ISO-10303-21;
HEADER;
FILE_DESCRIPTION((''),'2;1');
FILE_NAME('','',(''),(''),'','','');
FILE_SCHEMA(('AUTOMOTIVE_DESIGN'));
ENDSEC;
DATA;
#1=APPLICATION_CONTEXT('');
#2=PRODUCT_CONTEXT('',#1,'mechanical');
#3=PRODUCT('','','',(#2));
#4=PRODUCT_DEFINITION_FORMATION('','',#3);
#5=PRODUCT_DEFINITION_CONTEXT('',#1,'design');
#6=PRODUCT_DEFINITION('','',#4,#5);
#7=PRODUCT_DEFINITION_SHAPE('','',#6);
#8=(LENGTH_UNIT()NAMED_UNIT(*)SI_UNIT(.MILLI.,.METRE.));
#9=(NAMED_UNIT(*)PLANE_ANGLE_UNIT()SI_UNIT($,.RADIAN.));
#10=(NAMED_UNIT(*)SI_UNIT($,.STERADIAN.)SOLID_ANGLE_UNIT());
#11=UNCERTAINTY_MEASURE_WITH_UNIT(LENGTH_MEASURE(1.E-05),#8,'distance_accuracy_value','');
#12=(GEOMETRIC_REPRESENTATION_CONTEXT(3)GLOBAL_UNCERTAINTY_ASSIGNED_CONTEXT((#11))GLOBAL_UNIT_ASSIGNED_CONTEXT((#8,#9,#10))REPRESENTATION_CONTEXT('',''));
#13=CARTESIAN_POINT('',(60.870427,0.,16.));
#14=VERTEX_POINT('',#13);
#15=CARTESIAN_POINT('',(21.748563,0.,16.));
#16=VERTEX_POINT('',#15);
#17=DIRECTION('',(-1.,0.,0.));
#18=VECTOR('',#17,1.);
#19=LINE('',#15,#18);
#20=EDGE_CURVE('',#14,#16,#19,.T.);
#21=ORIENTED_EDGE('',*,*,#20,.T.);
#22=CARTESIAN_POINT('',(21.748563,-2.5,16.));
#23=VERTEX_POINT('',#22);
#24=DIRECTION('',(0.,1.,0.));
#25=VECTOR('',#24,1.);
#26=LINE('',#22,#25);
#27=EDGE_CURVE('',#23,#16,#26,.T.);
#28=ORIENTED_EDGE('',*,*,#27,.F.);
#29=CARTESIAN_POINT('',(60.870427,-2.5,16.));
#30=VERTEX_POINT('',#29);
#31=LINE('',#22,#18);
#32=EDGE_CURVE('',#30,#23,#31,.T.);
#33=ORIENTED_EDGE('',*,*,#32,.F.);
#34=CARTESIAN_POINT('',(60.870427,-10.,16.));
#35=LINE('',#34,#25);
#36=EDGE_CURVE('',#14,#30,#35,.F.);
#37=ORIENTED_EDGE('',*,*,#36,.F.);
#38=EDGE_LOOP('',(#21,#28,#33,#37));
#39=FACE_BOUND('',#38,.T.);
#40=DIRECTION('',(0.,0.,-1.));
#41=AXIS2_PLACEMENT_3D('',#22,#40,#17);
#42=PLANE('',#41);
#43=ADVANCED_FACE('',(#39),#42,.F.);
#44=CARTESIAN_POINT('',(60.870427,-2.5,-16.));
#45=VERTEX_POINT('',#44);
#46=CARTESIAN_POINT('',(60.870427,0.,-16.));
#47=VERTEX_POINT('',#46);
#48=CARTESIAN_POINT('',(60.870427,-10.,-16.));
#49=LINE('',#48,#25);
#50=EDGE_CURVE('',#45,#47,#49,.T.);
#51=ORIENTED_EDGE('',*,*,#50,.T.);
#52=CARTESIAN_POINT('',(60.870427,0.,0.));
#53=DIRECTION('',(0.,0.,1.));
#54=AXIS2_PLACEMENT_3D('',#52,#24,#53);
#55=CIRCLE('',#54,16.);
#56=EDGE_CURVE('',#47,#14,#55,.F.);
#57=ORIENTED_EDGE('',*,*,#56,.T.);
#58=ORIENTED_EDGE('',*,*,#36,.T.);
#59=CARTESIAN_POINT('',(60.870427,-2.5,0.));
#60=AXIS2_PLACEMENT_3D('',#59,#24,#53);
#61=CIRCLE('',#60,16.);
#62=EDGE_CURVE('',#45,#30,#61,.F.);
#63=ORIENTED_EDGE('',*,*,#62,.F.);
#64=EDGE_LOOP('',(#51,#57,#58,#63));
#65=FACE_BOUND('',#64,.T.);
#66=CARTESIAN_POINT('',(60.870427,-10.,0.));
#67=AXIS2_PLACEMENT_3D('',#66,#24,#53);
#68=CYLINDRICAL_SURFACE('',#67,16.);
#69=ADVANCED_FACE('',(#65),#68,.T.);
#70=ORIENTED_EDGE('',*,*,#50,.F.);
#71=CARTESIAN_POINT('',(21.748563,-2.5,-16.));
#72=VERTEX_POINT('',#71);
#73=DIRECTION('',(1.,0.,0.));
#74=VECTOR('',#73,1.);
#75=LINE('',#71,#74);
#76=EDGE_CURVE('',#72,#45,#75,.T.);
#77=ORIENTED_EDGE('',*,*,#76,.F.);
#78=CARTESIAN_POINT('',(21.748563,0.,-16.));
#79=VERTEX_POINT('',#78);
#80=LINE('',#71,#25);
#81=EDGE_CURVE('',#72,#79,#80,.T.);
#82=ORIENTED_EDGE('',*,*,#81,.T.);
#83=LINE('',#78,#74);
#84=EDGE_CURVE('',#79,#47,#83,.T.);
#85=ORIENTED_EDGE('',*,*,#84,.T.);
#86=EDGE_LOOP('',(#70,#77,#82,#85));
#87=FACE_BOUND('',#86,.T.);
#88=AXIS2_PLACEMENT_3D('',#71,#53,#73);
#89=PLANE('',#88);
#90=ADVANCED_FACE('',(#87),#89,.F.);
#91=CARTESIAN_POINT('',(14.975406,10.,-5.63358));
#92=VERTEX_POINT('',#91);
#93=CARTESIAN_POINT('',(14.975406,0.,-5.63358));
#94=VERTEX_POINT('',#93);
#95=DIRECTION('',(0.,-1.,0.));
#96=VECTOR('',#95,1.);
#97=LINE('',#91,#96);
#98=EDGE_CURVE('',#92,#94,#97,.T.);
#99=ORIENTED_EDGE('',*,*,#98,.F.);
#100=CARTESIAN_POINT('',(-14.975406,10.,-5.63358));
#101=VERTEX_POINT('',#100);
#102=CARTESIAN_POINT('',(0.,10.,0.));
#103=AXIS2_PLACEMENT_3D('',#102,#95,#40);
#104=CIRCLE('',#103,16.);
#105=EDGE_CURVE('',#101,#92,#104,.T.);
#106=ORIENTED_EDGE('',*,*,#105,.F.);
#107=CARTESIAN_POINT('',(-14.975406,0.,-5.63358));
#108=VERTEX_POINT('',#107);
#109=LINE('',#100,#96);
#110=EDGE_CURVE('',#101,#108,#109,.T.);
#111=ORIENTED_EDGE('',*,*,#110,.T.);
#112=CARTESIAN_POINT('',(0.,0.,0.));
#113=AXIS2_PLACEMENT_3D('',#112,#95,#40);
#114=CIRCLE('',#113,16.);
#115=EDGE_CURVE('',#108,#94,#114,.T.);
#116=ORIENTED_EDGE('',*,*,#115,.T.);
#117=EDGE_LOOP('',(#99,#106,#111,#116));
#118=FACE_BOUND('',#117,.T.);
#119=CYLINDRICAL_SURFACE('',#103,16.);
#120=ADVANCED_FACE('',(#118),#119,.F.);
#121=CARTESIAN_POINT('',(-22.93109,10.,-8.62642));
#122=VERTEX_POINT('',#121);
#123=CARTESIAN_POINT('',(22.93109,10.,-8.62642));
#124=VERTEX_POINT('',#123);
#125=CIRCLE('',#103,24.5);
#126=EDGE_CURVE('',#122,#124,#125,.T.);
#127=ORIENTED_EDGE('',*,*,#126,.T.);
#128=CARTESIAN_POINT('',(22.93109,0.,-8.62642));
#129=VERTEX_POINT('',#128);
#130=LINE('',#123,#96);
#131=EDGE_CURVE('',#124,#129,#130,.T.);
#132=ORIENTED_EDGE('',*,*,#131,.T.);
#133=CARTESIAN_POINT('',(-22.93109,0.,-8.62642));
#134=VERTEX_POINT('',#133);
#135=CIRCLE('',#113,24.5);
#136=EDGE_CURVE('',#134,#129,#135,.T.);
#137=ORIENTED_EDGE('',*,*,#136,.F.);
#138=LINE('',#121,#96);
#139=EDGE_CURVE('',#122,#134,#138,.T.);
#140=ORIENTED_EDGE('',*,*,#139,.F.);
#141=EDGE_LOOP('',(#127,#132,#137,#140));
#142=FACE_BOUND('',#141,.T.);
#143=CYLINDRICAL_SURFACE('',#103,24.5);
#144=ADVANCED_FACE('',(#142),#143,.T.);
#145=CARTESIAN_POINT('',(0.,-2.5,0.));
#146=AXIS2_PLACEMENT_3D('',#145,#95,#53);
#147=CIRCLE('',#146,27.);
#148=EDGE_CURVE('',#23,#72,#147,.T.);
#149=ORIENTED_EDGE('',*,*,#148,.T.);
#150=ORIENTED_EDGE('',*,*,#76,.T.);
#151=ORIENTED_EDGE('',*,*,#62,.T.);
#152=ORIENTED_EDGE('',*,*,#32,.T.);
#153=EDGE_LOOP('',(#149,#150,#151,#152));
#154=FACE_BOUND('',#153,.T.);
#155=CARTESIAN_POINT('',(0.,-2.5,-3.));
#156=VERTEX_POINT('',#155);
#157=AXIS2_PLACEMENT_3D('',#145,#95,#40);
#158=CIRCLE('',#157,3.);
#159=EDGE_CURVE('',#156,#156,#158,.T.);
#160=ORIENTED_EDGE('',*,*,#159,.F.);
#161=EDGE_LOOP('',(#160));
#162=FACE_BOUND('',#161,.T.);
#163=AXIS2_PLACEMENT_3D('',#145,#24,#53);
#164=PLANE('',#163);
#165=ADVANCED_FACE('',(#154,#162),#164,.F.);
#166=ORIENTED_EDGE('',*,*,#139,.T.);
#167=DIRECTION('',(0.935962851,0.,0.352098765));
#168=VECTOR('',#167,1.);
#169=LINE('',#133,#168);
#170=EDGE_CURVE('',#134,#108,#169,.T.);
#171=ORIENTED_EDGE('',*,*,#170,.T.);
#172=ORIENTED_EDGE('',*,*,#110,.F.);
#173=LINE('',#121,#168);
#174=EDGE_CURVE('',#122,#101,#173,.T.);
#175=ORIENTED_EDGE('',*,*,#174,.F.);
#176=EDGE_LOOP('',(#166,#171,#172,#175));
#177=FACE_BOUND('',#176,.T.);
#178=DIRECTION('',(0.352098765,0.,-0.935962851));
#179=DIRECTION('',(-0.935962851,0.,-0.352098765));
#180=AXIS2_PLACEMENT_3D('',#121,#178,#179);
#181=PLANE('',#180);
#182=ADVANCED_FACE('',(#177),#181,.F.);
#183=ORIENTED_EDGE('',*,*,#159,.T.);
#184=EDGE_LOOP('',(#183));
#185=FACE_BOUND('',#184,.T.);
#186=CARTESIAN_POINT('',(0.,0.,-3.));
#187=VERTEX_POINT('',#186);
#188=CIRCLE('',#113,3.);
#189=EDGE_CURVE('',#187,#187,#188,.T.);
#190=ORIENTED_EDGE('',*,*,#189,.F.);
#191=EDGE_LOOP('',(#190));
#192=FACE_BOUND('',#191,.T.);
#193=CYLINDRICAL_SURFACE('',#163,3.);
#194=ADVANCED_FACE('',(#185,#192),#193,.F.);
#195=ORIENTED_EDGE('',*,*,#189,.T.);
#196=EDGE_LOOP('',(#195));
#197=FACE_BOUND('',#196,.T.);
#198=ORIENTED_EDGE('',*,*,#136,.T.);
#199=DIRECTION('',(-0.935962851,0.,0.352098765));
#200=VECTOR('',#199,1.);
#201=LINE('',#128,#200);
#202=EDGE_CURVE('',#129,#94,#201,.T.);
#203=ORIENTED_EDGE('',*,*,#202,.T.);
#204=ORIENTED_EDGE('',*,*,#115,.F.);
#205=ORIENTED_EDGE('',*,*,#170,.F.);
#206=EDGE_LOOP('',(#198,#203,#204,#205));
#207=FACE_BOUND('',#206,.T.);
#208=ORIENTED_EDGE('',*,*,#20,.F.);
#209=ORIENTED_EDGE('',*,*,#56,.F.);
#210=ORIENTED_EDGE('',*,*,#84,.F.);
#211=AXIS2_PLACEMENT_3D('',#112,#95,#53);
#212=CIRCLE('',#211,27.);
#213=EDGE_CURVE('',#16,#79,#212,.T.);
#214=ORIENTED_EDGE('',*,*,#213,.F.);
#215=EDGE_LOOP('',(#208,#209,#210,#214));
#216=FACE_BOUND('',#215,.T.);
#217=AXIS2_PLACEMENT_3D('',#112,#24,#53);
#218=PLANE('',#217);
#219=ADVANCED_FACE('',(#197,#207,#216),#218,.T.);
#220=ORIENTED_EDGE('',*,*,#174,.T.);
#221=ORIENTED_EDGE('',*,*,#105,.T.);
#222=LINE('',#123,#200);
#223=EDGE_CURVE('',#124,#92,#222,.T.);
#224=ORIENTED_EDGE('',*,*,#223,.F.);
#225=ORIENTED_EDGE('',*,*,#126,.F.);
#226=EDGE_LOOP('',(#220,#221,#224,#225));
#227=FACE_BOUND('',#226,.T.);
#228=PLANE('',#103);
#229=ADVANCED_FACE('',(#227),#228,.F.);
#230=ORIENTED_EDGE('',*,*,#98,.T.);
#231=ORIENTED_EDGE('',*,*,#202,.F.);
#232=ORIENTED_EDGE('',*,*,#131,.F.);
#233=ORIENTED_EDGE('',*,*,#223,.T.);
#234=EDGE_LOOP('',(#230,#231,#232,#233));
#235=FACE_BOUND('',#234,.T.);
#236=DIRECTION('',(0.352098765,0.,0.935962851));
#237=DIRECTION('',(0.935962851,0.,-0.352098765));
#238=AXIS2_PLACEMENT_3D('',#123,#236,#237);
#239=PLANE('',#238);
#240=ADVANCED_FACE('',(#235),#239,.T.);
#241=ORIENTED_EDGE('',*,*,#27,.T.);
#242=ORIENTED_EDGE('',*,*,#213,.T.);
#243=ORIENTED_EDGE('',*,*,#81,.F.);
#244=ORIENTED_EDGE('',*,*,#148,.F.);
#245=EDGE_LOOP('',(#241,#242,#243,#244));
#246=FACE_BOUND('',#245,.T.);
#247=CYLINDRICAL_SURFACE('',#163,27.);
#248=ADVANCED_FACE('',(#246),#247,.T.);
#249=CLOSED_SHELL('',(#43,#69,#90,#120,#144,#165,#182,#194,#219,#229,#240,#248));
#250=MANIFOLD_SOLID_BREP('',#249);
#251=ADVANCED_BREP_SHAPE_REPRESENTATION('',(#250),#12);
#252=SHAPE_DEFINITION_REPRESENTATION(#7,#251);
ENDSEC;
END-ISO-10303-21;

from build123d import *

# Parameters (mm, degrees)
BOSS_EXTRUDE1_DEPTH = 10
SKETCH2_R           = 3
BOSS_EXTRUDE2_DEPTH = 2.5
CUT_EXTRUDE1_DEPTH  = 10


with BuildPart() as part:
    # Sketch1 → Boss-Extrude1 (new body)
    with BuildSketch(Plane(origin=(0, 0, 0), x_dir=(1, 0, 0), z_dir=(0, 1, 0))):
        with BuildLine():
            Line((-22.931089862, 8.626419753), (-14.975405624, 5.633580247))
            ThreePointArc((-14.975405624, 5.633580247), (0, 16), (14.975405624, 5.633580247))
            Line((14.975405624, 5.633580247), (22.931089862, 8.626419753))
            ThreePointArc((22.931089862, 8.626419753), (0, 24.5), (-22.931089862, 8.626419753))
        make_face()
    extrude(amount=BOSS_EXTRUDE1_DEPTH)

    # Sketch2 → Boss-Extrude2 (add)
    with BuildSketch(Plane.XZ):
        with BuildLine():
            Line((76.870427411, -16), (76.870427411, 16))
            Line((76.870427411, 16), (21.748563171, 16))
            ThreePointArc((21.748563171, 16), (12.186057607, 24.093567606), (0, 27))
            ThreePointArc((0, 27), (-27, 0), (0, -27))
            ThreePointArc((0, -27), (12.186057607, -24.093567606), (21.748563171, -16))
            Line((21.748563171, -16), (76.870427411, -16))
        make_face()
        with Locations(Location((0, 0, 0), (0, 0, 270))):
            Circle(SKETCH2_R, mode=Mode.SUBTRACT)
    extrude(amount=BOSS_EXTRUDE2_DEPTH)

    # Sketch3 → Cut-Extrude1 (cut)
    with BuildSketch(Plane(origin=(0, 0, 0), x_dir=(1, 0, 0), z_dir=(0, 1, 0))):
        with BuildLine():
            Line((76.870427411, 16), (60.870427411, 16))
            ThreePointArc((60.870427411, 16), (72.184135957, 11.313708452), (76.870427411, -1.33e-07))
            Line((76.870427411, -1.33e-07), (76.870427411, 16))
        make_face()
        with BuildLine():
            Line((76.870427411, -16), (76.870427411, -1.33e-07))
            ThreePointArc((76.870427411, -1.33e-07), (72.184135863, -11.313708546), (60.870427411, -16))
            Line((60.870427411, -16), (76.870427411, -16))
        make_face()
    extrude(amount=-CUT_EXTRUDE1_DEPTH, mode=Mode.SUBTRACT)


solid = part.part
